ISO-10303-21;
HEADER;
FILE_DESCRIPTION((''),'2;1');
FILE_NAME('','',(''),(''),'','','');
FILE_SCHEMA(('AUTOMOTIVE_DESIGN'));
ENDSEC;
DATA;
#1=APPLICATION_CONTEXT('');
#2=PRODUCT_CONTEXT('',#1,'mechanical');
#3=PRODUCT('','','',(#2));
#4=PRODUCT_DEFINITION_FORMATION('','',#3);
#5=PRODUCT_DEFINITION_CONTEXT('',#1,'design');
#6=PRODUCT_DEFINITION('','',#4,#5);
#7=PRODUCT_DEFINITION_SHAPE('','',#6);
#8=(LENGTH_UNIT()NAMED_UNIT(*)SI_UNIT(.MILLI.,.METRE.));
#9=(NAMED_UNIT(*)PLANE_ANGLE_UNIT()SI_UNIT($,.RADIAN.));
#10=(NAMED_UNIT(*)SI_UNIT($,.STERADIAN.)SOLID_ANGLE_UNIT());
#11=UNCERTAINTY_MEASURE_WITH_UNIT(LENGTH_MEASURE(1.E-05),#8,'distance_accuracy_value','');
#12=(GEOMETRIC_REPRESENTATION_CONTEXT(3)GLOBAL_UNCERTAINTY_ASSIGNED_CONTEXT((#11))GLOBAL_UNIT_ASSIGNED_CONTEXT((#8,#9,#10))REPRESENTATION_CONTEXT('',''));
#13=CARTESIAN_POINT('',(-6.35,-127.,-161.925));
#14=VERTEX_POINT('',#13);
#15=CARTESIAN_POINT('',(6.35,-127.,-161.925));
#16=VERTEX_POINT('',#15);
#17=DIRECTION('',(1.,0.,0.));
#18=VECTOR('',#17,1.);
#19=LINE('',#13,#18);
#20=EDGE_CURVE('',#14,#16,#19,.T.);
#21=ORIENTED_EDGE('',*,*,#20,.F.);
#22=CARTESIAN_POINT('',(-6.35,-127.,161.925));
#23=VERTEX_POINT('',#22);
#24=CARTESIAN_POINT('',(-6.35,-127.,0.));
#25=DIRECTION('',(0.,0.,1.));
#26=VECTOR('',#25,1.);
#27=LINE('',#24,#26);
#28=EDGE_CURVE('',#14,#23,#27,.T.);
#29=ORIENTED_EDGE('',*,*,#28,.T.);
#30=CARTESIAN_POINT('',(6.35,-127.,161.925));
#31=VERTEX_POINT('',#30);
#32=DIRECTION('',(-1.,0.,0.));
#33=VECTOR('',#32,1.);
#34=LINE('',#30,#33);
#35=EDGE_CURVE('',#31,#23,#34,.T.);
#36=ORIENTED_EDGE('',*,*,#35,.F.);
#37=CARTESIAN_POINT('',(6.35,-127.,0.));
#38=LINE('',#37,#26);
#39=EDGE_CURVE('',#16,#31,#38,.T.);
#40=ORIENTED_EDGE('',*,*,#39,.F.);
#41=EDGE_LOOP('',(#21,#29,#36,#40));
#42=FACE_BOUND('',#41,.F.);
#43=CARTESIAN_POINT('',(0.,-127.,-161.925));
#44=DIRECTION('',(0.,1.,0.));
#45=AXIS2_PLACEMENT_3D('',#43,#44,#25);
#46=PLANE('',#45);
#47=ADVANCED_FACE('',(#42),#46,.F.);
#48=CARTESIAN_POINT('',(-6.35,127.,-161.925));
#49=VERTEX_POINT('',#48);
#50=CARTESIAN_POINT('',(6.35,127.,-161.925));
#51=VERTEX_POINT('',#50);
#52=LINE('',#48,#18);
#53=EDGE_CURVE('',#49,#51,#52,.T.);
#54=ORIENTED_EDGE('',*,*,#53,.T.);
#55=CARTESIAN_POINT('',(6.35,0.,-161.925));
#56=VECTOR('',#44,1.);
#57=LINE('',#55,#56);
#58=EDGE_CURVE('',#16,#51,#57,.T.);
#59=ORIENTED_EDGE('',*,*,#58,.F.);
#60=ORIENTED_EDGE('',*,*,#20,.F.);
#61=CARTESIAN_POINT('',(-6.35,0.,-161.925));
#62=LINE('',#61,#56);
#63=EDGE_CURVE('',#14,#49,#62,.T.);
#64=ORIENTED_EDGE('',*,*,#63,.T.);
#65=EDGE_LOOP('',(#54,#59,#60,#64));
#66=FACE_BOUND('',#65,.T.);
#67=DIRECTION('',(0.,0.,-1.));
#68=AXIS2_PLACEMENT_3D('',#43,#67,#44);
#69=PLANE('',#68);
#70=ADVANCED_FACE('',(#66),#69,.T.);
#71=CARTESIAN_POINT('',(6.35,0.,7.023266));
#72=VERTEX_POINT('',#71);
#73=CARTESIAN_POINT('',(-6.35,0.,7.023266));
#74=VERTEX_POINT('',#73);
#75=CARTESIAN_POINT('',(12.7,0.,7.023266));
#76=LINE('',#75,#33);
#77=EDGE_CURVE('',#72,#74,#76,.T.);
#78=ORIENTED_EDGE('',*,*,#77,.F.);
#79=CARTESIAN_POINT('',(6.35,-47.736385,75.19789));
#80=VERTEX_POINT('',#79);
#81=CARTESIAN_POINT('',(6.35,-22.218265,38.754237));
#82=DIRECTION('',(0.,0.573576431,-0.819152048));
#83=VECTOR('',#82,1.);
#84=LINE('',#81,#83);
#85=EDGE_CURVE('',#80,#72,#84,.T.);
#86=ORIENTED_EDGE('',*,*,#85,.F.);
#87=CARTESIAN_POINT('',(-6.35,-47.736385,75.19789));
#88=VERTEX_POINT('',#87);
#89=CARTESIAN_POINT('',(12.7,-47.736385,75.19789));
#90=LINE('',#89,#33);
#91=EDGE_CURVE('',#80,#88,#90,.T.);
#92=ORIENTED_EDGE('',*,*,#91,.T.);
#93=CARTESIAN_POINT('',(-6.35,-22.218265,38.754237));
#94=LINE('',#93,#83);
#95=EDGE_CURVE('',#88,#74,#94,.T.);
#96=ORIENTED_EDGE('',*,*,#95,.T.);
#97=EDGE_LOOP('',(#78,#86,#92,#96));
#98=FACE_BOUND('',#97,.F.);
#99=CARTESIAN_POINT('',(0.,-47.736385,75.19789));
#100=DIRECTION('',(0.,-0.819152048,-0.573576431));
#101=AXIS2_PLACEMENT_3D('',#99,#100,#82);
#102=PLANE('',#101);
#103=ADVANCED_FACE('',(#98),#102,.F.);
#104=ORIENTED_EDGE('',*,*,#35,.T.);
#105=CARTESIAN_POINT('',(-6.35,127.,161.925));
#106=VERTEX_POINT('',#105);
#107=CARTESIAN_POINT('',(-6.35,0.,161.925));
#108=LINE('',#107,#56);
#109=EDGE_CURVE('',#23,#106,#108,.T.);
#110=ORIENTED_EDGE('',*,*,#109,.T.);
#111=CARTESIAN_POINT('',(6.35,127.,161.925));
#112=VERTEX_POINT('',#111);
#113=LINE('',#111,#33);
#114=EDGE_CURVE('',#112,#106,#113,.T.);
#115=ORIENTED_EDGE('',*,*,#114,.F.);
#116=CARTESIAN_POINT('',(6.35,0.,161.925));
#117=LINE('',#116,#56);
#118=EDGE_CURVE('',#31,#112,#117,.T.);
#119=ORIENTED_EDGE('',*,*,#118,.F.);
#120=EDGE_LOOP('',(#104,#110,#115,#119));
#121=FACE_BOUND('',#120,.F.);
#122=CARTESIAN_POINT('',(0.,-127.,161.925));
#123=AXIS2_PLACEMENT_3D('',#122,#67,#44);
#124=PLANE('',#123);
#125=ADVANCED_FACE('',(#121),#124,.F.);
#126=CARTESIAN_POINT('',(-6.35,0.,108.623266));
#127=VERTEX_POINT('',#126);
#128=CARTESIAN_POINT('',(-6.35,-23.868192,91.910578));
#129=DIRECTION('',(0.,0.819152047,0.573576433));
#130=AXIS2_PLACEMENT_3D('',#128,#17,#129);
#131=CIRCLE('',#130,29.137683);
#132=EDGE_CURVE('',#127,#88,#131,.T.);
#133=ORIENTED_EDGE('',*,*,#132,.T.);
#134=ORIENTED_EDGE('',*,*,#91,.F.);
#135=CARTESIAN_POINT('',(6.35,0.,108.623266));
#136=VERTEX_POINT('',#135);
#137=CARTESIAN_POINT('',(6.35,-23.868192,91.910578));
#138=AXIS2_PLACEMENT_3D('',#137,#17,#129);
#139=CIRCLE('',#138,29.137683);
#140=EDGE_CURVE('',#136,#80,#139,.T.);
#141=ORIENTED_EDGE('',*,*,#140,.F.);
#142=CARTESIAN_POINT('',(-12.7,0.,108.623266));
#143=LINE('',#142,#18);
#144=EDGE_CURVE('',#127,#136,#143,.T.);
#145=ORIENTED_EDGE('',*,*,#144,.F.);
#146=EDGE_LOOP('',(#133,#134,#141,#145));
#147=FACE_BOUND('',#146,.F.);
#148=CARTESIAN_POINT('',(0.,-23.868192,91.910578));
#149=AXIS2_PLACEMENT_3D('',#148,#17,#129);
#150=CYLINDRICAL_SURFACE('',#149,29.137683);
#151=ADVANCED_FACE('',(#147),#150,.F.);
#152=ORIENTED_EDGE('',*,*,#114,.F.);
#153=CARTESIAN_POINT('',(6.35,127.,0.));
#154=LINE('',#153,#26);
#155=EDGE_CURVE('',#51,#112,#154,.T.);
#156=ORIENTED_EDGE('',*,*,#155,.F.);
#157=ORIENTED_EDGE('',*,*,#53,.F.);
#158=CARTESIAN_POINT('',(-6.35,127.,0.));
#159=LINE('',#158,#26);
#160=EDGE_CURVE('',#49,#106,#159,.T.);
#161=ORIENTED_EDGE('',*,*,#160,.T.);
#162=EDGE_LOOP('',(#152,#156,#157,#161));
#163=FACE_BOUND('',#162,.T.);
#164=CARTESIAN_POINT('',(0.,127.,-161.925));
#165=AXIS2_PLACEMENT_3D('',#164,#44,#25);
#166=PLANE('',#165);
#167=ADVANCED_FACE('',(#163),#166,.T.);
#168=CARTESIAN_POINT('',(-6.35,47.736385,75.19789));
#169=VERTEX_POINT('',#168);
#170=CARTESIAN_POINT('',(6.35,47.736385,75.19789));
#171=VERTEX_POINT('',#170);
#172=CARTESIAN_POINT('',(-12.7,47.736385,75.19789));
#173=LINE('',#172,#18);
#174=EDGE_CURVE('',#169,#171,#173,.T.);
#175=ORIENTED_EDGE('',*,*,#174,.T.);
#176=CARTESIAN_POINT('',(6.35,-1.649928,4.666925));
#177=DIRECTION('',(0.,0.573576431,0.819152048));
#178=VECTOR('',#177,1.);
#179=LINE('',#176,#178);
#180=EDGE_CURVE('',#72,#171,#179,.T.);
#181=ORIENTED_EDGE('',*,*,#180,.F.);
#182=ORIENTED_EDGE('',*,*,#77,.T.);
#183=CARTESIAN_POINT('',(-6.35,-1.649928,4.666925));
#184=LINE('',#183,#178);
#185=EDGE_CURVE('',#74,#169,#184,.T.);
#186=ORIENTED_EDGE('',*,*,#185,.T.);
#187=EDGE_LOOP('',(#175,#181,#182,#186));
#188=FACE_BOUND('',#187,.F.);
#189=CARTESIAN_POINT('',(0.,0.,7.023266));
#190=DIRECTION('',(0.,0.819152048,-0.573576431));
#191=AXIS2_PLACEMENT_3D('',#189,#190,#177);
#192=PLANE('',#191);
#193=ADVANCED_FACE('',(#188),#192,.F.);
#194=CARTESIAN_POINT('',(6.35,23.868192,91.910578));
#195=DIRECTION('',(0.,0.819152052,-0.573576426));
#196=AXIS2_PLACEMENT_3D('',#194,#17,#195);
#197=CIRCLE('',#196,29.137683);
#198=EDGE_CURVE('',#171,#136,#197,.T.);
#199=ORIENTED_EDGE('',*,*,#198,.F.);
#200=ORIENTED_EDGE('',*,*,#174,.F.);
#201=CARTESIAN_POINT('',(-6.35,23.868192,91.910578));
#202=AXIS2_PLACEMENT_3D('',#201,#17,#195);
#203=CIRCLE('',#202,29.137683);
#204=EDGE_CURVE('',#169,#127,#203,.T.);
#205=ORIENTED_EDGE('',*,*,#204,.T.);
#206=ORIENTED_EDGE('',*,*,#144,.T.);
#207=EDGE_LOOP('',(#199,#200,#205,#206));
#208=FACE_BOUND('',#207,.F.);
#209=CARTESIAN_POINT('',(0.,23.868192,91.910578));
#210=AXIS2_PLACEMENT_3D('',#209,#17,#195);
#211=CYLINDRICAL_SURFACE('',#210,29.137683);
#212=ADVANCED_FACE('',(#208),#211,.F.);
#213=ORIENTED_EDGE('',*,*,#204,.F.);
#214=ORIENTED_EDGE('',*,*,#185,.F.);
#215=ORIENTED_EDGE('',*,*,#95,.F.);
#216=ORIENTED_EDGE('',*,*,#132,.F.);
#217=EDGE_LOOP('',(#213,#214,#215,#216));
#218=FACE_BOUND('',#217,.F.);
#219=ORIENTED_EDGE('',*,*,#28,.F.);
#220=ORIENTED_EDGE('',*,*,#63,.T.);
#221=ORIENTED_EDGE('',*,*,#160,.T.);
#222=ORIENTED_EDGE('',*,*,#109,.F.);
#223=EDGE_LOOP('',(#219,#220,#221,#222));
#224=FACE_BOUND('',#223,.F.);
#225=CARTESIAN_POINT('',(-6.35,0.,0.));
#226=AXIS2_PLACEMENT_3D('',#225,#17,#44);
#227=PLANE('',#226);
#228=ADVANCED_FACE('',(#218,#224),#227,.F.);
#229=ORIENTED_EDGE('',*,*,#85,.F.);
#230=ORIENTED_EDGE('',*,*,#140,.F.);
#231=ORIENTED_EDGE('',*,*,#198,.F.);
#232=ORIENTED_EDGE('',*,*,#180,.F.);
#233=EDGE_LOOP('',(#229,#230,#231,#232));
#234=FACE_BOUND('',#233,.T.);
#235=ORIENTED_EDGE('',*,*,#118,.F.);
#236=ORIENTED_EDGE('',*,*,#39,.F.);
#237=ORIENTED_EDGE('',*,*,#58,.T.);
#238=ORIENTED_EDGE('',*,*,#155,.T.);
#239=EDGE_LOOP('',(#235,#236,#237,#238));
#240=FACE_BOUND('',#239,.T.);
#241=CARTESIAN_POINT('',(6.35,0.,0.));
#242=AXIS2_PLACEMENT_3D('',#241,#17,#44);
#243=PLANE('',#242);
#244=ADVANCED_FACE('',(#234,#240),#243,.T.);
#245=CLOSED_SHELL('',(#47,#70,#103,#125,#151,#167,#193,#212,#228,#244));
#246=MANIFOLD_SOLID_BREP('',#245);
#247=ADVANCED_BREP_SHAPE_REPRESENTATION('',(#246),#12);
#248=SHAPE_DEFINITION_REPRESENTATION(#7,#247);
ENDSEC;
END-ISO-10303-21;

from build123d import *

# Parameters (mm, degrees)
F0_W     = 254
F0_H     = 323.85
F1_DEPTH = 6.35
F3_DEPTH = 12.7


with BuildPart() as f1:
    # F0 (on Right) → F1 (new body, symmetric)
    with BuildSketch(Plane.YZ):
        Rectangle(F0_W, F0_H)
    extrude(amount=F1_DEPTH, both=True)

    # F2 (on Right) → F3 (cut, symmetric)
    with BuildSketch(Plane.YZ):
        Polygon((0, 75.19789), (0, 7.023266), (47.736385, 75.19789), align=None)
        with BuildLine():
            Line((-47.736385, 75.19789), (0, 7.023266))
            Line((0, 7.023266), (0, 75.19789))
            Line((0, 75.19789), (0, 108.623266))
            ThreePointArc((0, 108.623266), (-40.580881, 115.77877), (-47.736385, 75.19789))
        make_face()
        with BuildLine():
            Line((0, 75.19789), (47.736385, 75.19789))
            ThreePointArc((47.736385, 75.19789), (40.580881, 115.77877), (0, 108.623266))
            Line((0, 108.623266), (0, 75.19789))
        make_face()
    extrude(amount=F3_DEPTH, both=True, mode=Mode.SUBTRACT)


solid = f1.part
